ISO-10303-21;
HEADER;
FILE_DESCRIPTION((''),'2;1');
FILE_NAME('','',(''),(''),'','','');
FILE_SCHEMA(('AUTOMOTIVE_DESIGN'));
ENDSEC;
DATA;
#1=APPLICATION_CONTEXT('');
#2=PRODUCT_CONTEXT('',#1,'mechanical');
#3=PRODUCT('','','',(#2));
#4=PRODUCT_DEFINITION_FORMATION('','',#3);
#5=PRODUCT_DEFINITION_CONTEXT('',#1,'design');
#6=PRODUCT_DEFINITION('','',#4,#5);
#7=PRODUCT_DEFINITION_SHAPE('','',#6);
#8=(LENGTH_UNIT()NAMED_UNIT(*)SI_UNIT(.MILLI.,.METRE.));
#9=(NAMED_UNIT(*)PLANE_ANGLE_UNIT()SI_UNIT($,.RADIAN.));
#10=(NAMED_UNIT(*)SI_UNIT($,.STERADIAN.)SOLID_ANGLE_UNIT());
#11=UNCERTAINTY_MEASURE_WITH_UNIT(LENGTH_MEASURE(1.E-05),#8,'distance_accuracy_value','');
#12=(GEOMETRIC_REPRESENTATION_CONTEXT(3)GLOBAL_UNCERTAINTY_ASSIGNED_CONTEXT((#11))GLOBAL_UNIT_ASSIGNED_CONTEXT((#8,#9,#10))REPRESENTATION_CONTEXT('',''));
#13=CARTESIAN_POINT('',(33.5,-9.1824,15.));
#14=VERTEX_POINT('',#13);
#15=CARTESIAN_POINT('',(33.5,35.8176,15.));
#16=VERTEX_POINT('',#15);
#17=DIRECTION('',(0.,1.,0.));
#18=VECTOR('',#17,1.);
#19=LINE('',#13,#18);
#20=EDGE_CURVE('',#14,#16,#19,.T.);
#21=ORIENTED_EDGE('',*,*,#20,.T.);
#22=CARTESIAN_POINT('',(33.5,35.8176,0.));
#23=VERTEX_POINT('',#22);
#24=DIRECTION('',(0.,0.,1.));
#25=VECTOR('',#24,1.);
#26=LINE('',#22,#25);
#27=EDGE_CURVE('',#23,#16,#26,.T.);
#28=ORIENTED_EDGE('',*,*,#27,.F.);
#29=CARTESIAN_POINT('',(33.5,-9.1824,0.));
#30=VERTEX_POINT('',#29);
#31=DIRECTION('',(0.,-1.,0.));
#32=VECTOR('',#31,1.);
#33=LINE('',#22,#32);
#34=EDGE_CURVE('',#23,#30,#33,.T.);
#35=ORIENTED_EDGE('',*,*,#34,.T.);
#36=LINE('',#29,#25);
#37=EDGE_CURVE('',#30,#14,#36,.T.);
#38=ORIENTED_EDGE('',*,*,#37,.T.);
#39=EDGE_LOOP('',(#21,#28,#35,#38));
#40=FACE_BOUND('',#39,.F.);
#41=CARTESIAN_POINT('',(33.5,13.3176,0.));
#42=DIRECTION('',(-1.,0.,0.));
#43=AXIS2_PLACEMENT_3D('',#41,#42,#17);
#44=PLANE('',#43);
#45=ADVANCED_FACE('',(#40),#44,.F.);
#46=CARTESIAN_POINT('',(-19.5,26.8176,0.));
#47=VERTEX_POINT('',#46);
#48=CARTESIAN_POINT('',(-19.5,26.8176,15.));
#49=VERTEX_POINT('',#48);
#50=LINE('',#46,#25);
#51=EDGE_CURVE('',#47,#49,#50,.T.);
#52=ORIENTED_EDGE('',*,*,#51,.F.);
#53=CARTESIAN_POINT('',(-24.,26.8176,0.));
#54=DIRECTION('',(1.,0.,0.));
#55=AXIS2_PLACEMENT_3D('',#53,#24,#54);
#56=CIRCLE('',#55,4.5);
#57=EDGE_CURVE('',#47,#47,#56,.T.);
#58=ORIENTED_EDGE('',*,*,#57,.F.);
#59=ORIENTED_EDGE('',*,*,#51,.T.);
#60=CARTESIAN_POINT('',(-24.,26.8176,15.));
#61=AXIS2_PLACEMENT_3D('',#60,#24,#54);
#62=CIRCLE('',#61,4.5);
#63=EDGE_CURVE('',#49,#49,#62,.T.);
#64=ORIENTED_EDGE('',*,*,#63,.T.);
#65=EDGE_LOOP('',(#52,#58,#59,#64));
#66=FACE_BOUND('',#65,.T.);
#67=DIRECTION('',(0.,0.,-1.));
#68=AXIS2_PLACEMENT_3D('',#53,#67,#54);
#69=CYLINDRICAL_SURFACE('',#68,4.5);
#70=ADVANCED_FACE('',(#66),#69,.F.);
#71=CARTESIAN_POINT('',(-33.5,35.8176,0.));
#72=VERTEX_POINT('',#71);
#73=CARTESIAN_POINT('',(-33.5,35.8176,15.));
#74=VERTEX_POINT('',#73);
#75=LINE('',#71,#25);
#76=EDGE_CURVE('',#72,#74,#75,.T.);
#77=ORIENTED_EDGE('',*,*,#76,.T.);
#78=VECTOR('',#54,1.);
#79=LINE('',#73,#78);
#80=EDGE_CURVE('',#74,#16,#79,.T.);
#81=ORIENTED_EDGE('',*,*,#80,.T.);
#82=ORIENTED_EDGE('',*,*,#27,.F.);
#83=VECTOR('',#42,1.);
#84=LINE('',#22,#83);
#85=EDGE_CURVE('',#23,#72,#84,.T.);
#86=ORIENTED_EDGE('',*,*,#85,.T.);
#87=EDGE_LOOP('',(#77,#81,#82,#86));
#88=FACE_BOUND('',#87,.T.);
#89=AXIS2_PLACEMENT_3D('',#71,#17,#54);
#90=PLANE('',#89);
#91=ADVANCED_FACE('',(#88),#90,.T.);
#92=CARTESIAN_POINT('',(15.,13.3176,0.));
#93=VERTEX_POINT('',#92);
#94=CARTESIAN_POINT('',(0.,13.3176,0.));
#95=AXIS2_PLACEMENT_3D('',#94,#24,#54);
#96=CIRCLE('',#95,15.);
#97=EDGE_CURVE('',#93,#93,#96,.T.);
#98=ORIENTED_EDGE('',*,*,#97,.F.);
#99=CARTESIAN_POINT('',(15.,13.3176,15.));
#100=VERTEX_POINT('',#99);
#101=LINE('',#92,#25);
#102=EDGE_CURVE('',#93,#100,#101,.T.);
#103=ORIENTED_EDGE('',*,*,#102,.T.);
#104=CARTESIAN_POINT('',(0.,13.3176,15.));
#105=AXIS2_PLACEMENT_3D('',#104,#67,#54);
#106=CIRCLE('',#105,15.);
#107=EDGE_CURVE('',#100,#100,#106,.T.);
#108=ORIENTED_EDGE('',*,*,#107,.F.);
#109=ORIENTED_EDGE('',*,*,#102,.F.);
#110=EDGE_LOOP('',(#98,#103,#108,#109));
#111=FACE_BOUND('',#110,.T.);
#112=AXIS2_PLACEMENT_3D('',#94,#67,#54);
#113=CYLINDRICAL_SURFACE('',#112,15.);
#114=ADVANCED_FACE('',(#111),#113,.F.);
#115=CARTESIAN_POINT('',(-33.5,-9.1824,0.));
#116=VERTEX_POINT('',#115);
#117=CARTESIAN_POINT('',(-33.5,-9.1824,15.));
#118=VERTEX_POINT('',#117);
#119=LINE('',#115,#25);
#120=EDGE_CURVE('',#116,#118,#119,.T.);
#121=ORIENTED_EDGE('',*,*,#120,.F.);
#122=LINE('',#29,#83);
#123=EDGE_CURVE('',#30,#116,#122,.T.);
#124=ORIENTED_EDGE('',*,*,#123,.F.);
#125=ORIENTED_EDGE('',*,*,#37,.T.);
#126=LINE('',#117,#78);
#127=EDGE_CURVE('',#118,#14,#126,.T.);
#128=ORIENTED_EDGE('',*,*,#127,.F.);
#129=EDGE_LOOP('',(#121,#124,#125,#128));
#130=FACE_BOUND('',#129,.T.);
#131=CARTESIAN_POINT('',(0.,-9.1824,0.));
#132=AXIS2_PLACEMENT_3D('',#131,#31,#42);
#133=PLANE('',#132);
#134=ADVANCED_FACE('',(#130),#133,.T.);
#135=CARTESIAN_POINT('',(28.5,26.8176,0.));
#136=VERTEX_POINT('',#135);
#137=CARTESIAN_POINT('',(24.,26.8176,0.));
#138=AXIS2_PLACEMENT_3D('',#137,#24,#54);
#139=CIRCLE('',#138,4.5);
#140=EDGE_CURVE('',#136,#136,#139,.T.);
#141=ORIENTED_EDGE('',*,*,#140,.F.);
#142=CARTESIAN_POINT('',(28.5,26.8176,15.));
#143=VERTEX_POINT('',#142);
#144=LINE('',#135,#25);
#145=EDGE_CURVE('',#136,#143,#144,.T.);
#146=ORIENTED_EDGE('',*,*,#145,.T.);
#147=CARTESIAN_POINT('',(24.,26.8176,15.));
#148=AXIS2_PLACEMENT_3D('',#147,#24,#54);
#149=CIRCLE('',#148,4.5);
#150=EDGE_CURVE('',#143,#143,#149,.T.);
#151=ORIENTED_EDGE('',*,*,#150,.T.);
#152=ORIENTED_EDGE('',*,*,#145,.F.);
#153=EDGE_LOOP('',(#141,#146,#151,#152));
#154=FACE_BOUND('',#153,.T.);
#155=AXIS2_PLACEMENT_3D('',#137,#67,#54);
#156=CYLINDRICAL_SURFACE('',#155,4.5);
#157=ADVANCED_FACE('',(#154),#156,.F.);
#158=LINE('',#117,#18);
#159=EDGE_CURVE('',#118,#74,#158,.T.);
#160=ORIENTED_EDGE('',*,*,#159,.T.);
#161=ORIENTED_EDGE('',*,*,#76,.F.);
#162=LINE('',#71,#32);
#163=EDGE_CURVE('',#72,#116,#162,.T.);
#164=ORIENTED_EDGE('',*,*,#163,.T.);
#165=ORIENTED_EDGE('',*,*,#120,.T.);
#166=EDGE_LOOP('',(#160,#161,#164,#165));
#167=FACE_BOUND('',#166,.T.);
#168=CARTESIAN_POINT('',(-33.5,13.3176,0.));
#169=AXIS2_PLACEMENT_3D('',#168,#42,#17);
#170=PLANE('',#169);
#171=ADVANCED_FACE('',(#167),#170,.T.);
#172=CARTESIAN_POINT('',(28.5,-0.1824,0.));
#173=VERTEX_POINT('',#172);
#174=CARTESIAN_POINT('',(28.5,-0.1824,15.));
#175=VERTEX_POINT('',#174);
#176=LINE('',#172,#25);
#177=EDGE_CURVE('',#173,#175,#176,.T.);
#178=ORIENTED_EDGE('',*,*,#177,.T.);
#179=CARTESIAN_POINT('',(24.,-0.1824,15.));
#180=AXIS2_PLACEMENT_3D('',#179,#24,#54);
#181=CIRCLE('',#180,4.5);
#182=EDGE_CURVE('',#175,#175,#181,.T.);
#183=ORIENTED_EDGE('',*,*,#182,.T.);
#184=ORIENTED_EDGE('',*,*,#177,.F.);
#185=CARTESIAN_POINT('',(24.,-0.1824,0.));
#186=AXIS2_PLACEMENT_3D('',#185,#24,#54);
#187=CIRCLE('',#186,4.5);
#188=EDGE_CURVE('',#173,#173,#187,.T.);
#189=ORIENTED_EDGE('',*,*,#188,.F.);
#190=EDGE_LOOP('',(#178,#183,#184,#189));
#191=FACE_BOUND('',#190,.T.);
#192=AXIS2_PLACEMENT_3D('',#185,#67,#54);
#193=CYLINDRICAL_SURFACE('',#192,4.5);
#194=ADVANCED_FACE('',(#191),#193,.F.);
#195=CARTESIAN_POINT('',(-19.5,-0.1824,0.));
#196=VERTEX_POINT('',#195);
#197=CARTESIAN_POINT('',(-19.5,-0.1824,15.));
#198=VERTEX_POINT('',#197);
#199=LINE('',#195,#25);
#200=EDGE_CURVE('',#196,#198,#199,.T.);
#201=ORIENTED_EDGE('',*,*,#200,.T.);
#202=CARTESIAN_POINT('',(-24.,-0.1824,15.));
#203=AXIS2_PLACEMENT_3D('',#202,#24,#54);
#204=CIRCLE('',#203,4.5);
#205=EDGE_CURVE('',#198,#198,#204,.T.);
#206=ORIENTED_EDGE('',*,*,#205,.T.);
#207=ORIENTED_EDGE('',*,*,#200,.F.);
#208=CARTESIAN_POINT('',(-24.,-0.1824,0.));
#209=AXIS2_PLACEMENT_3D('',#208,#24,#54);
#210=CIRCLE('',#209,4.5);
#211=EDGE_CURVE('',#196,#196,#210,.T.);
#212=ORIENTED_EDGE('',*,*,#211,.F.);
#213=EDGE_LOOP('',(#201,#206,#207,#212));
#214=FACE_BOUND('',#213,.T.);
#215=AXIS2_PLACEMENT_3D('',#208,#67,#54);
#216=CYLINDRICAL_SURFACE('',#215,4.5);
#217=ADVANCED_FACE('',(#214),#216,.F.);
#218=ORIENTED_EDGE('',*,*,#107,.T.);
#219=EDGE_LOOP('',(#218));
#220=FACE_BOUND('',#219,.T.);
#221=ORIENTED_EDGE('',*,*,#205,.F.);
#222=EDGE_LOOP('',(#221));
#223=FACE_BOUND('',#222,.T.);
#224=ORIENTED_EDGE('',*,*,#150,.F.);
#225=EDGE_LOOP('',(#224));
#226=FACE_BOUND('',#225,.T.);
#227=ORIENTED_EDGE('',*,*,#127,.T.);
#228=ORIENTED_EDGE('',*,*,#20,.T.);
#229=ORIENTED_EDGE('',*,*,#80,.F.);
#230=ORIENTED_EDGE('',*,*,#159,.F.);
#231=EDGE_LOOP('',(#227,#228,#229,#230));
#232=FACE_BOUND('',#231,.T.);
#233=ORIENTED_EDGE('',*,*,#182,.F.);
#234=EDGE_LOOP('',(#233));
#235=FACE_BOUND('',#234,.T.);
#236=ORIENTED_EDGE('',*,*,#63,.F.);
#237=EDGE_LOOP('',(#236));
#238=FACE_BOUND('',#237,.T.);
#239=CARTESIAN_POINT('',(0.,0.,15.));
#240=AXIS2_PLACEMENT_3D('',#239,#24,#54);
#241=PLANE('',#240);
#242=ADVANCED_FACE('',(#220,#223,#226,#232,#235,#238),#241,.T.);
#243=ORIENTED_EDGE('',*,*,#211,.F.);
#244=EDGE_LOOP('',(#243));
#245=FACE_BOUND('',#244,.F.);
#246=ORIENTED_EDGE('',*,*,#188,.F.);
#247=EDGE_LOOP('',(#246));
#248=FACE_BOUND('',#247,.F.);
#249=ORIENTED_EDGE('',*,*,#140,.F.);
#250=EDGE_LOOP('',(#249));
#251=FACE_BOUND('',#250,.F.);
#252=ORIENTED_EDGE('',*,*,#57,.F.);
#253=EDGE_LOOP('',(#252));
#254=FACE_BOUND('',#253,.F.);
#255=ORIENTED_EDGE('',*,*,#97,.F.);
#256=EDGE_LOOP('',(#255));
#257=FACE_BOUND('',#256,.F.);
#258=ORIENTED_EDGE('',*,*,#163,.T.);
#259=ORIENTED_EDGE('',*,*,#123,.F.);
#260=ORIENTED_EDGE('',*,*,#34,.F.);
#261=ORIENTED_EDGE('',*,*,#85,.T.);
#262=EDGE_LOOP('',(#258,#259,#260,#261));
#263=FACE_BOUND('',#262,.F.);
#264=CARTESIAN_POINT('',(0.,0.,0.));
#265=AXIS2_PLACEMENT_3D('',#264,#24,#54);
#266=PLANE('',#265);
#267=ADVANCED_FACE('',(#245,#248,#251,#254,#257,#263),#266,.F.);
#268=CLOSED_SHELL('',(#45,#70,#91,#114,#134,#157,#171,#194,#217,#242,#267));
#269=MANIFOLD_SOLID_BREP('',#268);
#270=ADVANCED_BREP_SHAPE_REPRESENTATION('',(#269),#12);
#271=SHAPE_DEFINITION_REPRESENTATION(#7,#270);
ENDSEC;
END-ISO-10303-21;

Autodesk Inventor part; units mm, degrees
ref_plane "YZ Plane" through (0, 0, 0) normal (1, 0, 0) x (0, 1, 0)
ref_plane "XZ Plane" through (0, 0, 0) normal (0, 1, 0) x (-1, 0, 0)
ref_plane "XY Plane" through (0, 0, 0) normal (0, 0, 1) x (1, 0, 0)
sketch "草图1" plane through (0, 0, 0) normal (0, 0, 1) x (1, 0, 0)
  line L0 (-33.5, 35.8176) -> (33.5, 35.8176)
  line L1 (33.5, -9.1824) -> (-33.5, -9.1824)
  line L2 (-33.5, -9.1824) -> (-33.5, 35.8176)
  line L3 (33.5, -9.1824) -> (33.5, 35.8176)
  line L4 (0, 46.5629) -> (0, 46.5629)
  line L5 (0, 42.7704) -> (0, -46.1415)
  line L6 (-33.5, 13.3176) -> (96.7396, 13.3176)
  circle A0 centre (-12.4308, 6.5314) radius 0.2107
  circle A1 centre (-24, 26.8176) radius 4.5
  circle A2 centre (-24, -0.1824) radius 4.5
  circle A3 centre (24, -0.1824) radius 4.5
  circle A4 centre (24, 26.8176) radius 4.5
  circle A5 centre (0, 13.3176) radius 15
  point P0 (0, 0)
  dimension "d0" = 67
  dimension "d1" = 45
  dimension "d2" = 27
  dimension "d3" = 48
  dimension "d4" = 9
  dimension "d5" = 30
extrude "拉伸1" add sketch "草图1" along normal blind 15 contours L0 L5 A5 L6 L2 | L0 L3 L6 A5 L5 | L6 A5 L5 L1 L2 | L3 L1 L5 A5 L6
